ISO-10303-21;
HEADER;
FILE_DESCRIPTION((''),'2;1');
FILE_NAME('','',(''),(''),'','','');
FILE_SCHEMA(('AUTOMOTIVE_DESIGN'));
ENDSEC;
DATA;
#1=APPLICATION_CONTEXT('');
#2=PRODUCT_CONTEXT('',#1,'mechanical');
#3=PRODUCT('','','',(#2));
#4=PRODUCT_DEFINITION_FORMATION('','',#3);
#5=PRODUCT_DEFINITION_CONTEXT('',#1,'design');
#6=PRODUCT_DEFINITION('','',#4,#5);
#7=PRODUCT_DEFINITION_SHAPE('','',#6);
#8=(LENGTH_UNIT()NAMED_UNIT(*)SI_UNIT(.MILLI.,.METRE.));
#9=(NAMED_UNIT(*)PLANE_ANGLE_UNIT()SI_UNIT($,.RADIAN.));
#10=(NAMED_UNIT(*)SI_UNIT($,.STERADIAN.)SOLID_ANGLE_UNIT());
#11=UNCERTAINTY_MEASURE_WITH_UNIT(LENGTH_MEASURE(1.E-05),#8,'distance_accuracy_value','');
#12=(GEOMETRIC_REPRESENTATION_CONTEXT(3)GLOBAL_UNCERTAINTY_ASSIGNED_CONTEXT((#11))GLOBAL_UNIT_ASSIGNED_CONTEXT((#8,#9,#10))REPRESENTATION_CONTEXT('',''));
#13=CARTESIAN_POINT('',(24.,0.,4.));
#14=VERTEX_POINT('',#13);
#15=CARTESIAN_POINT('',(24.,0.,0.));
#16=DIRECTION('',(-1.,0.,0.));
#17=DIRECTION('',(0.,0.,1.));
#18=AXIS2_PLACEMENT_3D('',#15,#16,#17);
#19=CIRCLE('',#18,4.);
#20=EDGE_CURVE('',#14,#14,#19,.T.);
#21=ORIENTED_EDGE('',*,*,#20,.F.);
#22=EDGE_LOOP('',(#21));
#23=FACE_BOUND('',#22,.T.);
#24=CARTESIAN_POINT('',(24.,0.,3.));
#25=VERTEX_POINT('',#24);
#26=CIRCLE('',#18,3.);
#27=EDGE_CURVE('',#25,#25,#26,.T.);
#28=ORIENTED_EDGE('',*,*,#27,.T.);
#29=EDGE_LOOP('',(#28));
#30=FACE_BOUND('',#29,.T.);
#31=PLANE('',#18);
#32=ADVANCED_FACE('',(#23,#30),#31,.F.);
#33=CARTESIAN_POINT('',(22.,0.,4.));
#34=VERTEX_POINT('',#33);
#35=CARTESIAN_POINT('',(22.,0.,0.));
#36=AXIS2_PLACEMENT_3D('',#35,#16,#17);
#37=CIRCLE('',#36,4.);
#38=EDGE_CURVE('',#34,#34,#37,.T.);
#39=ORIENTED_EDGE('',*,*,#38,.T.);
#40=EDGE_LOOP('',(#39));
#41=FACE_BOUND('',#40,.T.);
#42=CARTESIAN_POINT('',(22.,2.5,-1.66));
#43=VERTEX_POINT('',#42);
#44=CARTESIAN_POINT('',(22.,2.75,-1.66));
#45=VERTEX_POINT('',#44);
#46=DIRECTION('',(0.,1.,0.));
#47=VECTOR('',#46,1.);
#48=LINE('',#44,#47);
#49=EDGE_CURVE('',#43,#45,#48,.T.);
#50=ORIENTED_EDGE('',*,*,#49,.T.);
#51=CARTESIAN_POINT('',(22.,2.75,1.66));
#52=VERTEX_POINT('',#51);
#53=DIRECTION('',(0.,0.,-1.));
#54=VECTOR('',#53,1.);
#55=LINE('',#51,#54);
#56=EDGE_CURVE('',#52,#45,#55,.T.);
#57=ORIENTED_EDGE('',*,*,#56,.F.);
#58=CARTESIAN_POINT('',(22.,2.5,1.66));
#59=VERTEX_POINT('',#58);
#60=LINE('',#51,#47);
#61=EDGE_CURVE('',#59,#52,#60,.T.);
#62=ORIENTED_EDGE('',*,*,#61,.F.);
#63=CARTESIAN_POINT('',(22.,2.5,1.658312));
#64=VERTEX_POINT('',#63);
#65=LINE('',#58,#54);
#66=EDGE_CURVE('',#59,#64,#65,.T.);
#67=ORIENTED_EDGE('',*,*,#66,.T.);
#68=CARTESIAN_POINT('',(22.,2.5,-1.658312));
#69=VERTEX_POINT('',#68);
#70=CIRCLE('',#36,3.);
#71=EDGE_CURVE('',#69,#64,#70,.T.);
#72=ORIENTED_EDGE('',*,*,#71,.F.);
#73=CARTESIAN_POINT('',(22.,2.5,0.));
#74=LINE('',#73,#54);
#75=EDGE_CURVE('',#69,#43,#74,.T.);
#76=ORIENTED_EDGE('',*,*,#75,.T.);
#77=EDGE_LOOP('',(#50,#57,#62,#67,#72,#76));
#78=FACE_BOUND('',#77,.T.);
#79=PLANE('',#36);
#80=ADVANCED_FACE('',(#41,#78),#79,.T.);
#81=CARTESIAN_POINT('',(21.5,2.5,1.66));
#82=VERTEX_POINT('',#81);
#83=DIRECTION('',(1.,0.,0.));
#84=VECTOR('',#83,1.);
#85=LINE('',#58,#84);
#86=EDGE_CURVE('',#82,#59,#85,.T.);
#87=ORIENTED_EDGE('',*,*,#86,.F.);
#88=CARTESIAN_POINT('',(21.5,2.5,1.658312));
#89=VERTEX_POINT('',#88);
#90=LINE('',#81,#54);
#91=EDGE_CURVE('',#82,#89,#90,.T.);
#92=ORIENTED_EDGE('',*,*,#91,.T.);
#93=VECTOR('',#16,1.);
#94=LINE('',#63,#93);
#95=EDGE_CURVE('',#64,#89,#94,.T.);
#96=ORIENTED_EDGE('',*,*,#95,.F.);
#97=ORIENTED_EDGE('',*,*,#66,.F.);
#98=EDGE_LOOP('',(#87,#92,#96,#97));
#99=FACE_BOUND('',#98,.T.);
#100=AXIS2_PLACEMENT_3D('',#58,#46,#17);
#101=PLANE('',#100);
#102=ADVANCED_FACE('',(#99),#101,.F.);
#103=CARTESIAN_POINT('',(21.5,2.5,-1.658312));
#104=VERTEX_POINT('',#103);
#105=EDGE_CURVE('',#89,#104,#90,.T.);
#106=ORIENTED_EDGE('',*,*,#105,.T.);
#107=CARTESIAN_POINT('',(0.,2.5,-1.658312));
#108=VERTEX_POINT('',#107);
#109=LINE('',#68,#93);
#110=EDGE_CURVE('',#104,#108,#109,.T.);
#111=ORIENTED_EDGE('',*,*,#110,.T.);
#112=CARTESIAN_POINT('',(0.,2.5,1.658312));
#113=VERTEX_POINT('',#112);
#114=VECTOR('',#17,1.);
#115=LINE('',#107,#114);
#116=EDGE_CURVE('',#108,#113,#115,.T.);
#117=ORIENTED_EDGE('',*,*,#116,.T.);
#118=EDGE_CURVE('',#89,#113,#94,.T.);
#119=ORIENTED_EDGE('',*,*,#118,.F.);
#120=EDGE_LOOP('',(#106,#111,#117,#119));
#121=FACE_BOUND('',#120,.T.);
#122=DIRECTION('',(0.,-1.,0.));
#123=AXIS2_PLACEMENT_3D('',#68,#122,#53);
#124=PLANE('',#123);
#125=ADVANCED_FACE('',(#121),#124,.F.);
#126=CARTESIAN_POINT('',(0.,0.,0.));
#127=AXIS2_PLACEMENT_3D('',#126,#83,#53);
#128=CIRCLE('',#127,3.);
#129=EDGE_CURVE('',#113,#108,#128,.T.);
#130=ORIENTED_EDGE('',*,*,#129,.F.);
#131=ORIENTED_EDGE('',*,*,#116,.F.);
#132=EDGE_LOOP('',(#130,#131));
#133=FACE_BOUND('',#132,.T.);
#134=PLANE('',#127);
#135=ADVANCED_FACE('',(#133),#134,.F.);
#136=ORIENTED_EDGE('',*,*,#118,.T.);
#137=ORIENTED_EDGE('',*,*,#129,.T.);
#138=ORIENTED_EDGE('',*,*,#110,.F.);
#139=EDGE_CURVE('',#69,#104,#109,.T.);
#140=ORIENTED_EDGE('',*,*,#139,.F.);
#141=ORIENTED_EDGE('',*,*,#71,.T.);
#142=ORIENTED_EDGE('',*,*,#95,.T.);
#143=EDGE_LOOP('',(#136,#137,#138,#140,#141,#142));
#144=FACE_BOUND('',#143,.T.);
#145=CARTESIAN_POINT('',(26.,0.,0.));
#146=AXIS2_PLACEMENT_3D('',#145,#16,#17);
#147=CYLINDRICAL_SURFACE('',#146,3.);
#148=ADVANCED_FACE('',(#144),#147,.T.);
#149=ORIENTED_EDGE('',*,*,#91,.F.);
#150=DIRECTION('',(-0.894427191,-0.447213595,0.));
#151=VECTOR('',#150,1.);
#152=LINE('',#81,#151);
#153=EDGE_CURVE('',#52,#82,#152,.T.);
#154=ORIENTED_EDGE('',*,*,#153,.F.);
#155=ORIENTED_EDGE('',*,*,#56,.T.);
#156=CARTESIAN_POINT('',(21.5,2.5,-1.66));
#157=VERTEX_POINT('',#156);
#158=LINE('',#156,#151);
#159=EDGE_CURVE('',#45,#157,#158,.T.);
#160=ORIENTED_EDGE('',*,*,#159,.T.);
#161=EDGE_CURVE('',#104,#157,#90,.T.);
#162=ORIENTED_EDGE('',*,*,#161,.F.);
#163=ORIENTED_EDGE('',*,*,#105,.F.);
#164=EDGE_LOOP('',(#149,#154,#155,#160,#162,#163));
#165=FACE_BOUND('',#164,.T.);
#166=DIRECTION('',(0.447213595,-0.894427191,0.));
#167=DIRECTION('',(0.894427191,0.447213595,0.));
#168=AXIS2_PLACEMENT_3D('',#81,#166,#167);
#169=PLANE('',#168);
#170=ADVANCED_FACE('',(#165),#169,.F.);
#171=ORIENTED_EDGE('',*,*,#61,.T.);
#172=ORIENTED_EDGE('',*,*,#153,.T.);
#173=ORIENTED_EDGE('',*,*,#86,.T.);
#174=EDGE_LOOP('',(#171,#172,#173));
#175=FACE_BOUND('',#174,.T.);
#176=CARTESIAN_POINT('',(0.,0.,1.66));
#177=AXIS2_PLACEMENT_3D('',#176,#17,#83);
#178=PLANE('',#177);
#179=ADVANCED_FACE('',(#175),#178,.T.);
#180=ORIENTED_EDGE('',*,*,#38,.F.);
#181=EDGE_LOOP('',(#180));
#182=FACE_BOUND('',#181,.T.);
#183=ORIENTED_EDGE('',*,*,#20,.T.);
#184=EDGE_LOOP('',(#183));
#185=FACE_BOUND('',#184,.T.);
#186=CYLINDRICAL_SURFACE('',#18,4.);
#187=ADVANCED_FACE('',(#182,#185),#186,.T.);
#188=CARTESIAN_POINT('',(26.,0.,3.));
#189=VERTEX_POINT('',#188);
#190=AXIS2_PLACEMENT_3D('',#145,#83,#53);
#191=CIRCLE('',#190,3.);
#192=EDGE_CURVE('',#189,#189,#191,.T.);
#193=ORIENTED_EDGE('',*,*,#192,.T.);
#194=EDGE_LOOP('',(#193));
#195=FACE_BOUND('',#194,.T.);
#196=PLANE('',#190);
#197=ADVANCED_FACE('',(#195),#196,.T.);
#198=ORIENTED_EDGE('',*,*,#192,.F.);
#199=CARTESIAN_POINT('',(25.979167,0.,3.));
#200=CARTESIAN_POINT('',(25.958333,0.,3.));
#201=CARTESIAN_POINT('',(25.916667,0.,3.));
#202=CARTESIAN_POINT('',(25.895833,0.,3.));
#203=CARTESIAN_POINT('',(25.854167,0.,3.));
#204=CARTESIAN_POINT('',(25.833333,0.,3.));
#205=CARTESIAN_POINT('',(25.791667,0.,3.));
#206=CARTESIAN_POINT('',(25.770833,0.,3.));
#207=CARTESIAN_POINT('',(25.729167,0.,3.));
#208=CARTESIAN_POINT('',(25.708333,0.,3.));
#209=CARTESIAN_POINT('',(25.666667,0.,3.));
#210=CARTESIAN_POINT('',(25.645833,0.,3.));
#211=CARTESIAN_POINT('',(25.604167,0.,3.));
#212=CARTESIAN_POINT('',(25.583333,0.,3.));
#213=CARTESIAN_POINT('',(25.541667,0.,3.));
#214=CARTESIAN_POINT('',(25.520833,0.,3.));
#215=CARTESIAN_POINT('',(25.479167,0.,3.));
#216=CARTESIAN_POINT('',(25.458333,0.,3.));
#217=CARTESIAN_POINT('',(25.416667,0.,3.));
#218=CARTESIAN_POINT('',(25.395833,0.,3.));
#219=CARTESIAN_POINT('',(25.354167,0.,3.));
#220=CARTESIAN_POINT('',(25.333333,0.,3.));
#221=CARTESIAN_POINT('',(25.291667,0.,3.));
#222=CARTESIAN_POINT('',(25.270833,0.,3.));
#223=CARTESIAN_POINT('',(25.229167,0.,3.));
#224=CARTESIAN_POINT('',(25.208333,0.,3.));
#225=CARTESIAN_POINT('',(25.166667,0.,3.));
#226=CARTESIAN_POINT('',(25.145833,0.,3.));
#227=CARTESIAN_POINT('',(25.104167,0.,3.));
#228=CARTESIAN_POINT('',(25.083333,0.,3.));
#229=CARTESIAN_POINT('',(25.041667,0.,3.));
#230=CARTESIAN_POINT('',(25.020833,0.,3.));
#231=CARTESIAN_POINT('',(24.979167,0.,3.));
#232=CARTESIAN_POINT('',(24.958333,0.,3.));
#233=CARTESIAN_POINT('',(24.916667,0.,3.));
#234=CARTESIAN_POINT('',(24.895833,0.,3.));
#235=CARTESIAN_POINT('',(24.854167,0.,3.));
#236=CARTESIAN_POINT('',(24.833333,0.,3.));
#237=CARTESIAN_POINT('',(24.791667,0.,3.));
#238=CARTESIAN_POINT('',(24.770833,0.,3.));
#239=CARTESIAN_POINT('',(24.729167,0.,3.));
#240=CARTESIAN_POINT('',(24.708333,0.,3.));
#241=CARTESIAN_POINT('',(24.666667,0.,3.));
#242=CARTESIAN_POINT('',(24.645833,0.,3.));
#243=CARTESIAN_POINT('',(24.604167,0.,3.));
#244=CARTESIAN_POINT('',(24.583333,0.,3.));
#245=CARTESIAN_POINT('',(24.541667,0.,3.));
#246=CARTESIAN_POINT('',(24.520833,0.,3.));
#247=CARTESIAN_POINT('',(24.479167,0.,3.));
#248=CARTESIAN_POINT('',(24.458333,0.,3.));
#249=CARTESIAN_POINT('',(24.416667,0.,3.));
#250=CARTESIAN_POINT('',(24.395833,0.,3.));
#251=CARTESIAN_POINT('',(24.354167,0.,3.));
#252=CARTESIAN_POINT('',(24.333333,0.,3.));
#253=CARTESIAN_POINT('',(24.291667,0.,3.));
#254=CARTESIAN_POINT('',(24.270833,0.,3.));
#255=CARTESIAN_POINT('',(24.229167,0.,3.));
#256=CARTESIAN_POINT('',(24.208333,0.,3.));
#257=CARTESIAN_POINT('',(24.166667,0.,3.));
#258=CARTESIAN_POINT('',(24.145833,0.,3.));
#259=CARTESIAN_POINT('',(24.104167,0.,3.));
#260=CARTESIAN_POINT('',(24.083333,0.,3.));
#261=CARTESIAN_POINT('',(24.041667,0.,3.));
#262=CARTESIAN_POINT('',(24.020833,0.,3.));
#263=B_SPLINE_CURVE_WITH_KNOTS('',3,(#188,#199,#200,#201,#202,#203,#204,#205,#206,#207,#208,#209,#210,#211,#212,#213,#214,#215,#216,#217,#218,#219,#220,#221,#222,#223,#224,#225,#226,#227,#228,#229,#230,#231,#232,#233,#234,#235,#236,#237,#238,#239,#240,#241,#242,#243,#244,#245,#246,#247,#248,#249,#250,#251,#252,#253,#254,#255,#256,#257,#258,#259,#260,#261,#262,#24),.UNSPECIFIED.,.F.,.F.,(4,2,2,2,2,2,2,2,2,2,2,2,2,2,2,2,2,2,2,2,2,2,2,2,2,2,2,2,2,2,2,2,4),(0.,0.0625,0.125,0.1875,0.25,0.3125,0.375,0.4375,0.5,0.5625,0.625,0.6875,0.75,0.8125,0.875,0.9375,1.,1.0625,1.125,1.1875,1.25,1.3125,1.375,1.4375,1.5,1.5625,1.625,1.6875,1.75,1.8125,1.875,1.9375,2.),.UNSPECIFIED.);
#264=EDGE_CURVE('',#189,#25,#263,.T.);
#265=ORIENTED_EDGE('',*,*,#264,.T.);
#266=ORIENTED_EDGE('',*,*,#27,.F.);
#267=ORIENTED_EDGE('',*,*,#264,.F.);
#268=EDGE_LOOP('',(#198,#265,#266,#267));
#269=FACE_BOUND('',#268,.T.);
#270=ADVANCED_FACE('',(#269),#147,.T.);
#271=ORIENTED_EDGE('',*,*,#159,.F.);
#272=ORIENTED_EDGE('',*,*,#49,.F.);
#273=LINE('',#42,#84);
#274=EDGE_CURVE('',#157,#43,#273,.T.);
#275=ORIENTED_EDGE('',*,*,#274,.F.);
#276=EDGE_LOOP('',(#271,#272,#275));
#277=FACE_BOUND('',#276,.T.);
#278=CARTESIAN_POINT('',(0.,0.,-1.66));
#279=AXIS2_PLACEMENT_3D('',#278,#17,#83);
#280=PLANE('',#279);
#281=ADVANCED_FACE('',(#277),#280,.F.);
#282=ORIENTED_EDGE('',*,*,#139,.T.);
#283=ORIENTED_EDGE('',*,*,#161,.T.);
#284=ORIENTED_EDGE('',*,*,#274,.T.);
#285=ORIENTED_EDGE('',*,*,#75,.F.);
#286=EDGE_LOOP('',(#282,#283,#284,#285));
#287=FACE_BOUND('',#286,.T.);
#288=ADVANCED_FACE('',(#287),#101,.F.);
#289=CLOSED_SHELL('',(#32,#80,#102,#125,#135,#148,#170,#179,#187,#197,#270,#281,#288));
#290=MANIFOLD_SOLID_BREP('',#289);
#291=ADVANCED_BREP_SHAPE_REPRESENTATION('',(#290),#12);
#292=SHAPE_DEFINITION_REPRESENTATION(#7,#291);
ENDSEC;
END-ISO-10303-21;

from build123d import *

# Parameters (mm, degrees)
SKETCH1_R           = 3
BOSS_EXTRUDE1_DEPTH = 26
CUT_EXTRUDE1_DEPTH  = 22
SKETCH3_R           = 4
SKETCH3_R_2         = 3
BOSS_EXTRUDE2_DEPTH = 2
BOSS_EXTRUDE3_DEPTH = 1.66


with BuildPart() as part:
    # Sketch1 → Boss-Extrude1 (new body)
    with BuildSketch(Plane(origin=(0, 0, 0), x_dir=(0, 0, -1), z_dir=(1, 0, 0))):
        with Locations(Location((0, 0, 0), (0, 0, 180))):
            Circle(SKETCH1_R)
    extrude(amount=BOSS_EXTRUDE1_DEPTH)

    # Sketch2 → Cut-Extrude1 (cut)
    with BuildSketch(Plane.ZY):
        with BuildLine():
            Line((-1.658312395, 2.5), (1.658312395, 2.5))
            ThreePointArc((1.658312395, 2.5), (0, 3), (-1.658312395, 2.5))
        make_face()
    extrude(amount=-CUT_EXTRUDE1_DEPTH, mode=Mode.SUBTRACT)

    # Sketch3 → Boss-Extrude2 (add)
    with BuildSketch(Plane.ZY.offset(-22)):
        Circle(SKETCH3_R)
        Circle(SKETCH3_R_2, mode=Mode.SUBTRACT)
    extrude(amount=-BOSS_EXTRUDE2_DEPTH)

    # Sketch4 → Boss-Extrude3 (add, symmetric)
    with BuildSketch(Plane.XY):
        Polygon((21.5, 2.5), (22, 2.75), (22, 2.5), align=None)
    extrude(amount=BOSS_EXTRUDE3_DEPTH, both=True)


solid = part.part
